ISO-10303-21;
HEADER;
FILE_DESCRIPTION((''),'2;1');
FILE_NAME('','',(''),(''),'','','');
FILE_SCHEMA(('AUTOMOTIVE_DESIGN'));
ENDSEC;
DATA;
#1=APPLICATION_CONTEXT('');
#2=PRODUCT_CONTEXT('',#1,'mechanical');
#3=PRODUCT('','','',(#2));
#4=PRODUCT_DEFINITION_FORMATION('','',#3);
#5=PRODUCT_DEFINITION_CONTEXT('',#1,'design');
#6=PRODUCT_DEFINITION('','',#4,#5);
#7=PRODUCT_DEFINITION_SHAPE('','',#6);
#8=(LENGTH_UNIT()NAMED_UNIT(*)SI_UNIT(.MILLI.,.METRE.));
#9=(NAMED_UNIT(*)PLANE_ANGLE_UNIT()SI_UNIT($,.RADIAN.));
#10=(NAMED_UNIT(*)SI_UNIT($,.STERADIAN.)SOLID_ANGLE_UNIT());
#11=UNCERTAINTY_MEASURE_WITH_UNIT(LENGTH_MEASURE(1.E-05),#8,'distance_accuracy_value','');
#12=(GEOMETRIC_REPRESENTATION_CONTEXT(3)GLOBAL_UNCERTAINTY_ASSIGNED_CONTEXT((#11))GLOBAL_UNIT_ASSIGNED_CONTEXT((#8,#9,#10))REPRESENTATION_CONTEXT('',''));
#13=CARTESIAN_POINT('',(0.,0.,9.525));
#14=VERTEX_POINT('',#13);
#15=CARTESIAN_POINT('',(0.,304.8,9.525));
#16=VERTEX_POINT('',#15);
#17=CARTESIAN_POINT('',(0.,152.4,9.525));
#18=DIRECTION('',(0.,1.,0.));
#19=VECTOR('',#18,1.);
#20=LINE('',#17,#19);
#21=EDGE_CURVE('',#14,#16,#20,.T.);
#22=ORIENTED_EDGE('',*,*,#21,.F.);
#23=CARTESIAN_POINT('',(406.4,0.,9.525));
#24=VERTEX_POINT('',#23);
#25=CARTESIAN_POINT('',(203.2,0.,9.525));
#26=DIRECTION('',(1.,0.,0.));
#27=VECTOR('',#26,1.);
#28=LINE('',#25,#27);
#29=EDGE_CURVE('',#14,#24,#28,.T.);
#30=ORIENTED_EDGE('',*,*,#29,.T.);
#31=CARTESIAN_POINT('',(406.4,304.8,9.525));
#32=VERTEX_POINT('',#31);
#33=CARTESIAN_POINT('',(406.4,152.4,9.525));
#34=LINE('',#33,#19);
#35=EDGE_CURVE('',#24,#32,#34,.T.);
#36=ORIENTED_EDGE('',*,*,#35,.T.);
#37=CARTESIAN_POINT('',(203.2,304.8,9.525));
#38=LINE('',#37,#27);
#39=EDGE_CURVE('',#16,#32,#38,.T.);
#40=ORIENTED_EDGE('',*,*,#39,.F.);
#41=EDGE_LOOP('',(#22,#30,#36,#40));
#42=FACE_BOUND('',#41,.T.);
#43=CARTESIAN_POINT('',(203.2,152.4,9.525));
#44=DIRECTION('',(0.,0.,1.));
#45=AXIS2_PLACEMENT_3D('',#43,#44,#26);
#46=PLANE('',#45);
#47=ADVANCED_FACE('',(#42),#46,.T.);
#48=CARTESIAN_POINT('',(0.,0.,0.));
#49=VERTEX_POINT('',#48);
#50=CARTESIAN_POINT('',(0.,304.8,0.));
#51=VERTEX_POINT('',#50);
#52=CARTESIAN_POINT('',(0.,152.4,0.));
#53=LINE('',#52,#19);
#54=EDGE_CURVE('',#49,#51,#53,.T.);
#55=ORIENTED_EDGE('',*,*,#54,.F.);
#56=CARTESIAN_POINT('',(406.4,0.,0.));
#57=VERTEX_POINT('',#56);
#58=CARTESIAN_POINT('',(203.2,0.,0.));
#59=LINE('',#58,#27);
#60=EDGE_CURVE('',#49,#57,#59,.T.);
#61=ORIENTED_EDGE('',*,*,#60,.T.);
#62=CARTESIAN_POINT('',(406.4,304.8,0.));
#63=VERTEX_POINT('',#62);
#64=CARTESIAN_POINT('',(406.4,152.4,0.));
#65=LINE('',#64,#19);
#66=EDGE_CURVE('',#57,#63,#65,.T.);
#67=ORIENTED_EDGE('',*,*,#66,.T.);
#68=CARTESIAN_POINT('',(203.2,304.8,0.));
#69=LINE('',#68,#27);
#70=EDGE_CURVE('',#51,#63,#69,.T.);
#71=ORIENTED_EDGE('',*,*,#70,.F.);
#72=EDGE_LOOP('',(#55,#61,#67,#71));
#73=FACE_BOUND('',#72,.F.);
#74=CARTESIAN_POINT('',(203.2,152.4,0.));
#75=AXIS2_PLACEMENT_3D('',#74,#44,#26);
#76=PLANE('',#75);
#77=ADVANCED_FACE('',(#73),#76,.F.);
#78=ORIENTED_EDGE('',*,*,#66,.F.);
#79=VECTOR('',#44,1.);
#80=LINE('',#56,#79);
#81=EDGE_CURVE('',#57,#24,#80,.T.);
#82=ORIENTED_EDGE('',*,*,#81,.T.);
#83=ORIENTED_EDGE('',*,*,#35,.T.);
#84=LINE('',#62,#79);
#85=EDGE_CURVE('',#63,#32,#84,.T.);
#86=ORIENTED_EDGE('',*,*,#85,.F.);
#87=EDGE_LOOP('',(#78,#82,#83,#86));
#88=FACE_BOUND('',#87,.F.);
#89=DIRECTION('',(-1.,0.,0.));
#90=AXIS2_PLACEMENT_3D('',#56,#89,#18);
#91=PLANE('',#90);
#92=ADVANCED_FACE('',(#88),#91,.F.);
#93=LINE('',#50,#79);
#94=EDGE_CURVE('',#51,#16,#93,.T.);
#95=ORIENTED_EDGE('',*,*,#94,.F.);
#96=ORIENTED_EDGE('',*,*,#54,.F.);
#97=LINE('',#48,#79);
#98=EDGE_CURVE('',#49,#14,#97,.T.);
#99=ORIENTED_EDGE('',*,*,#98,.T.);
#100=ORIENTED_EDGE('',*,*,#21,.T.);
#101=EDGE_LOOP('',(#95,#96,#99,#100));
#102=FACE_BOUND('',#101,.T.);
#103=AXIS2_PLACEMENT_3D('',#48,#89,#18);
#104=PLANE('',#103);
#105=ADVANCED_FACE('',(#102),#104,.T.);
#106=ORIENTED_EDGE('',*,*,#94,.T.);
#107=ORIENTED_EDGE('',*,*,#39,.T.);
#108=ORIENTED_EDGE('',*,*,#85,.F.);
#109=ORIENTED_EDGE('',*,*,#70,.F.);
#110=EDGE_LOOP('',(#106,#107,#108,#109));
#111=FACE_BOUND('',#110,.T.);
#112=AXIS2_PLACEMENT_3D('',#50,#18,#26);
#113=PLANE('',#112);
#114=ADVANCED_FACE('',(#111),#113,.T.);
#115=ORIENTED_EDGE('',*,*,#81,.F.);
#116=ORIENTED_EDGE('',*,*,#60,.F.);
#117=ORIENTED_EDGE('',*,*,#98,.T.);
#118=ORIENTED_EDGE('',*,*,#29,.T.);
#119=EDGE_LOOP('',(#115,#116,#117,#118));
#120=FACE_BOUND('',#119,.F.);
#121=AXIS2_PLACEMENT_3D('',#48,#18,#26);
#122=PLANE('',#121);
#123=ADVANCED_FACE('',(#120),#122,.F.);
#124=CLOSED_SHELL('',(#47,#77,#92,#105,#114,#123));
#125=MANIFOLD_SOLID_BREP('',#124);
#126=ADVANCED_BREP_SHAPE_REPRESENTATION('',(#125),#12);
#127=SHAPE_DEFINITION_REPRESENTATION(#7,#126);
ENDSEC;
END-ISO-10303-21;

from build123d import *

# Parameters (mm, degrees)
SKETCH_W      = 406.4
SKETCH_H      = 304.8
EXTRUDE_DEPTH = 9.525


with BuildPart() as part:
    # Sketch → Extrude (new body)
    with BuildSketch(Plane.XY):
        with Locations((203.2, 152.4)):
            Rectangle(SKETCH_W, SKETCH_H)
    extrude(amount=EXTRUDE_DEPTH)


solid = part.part
